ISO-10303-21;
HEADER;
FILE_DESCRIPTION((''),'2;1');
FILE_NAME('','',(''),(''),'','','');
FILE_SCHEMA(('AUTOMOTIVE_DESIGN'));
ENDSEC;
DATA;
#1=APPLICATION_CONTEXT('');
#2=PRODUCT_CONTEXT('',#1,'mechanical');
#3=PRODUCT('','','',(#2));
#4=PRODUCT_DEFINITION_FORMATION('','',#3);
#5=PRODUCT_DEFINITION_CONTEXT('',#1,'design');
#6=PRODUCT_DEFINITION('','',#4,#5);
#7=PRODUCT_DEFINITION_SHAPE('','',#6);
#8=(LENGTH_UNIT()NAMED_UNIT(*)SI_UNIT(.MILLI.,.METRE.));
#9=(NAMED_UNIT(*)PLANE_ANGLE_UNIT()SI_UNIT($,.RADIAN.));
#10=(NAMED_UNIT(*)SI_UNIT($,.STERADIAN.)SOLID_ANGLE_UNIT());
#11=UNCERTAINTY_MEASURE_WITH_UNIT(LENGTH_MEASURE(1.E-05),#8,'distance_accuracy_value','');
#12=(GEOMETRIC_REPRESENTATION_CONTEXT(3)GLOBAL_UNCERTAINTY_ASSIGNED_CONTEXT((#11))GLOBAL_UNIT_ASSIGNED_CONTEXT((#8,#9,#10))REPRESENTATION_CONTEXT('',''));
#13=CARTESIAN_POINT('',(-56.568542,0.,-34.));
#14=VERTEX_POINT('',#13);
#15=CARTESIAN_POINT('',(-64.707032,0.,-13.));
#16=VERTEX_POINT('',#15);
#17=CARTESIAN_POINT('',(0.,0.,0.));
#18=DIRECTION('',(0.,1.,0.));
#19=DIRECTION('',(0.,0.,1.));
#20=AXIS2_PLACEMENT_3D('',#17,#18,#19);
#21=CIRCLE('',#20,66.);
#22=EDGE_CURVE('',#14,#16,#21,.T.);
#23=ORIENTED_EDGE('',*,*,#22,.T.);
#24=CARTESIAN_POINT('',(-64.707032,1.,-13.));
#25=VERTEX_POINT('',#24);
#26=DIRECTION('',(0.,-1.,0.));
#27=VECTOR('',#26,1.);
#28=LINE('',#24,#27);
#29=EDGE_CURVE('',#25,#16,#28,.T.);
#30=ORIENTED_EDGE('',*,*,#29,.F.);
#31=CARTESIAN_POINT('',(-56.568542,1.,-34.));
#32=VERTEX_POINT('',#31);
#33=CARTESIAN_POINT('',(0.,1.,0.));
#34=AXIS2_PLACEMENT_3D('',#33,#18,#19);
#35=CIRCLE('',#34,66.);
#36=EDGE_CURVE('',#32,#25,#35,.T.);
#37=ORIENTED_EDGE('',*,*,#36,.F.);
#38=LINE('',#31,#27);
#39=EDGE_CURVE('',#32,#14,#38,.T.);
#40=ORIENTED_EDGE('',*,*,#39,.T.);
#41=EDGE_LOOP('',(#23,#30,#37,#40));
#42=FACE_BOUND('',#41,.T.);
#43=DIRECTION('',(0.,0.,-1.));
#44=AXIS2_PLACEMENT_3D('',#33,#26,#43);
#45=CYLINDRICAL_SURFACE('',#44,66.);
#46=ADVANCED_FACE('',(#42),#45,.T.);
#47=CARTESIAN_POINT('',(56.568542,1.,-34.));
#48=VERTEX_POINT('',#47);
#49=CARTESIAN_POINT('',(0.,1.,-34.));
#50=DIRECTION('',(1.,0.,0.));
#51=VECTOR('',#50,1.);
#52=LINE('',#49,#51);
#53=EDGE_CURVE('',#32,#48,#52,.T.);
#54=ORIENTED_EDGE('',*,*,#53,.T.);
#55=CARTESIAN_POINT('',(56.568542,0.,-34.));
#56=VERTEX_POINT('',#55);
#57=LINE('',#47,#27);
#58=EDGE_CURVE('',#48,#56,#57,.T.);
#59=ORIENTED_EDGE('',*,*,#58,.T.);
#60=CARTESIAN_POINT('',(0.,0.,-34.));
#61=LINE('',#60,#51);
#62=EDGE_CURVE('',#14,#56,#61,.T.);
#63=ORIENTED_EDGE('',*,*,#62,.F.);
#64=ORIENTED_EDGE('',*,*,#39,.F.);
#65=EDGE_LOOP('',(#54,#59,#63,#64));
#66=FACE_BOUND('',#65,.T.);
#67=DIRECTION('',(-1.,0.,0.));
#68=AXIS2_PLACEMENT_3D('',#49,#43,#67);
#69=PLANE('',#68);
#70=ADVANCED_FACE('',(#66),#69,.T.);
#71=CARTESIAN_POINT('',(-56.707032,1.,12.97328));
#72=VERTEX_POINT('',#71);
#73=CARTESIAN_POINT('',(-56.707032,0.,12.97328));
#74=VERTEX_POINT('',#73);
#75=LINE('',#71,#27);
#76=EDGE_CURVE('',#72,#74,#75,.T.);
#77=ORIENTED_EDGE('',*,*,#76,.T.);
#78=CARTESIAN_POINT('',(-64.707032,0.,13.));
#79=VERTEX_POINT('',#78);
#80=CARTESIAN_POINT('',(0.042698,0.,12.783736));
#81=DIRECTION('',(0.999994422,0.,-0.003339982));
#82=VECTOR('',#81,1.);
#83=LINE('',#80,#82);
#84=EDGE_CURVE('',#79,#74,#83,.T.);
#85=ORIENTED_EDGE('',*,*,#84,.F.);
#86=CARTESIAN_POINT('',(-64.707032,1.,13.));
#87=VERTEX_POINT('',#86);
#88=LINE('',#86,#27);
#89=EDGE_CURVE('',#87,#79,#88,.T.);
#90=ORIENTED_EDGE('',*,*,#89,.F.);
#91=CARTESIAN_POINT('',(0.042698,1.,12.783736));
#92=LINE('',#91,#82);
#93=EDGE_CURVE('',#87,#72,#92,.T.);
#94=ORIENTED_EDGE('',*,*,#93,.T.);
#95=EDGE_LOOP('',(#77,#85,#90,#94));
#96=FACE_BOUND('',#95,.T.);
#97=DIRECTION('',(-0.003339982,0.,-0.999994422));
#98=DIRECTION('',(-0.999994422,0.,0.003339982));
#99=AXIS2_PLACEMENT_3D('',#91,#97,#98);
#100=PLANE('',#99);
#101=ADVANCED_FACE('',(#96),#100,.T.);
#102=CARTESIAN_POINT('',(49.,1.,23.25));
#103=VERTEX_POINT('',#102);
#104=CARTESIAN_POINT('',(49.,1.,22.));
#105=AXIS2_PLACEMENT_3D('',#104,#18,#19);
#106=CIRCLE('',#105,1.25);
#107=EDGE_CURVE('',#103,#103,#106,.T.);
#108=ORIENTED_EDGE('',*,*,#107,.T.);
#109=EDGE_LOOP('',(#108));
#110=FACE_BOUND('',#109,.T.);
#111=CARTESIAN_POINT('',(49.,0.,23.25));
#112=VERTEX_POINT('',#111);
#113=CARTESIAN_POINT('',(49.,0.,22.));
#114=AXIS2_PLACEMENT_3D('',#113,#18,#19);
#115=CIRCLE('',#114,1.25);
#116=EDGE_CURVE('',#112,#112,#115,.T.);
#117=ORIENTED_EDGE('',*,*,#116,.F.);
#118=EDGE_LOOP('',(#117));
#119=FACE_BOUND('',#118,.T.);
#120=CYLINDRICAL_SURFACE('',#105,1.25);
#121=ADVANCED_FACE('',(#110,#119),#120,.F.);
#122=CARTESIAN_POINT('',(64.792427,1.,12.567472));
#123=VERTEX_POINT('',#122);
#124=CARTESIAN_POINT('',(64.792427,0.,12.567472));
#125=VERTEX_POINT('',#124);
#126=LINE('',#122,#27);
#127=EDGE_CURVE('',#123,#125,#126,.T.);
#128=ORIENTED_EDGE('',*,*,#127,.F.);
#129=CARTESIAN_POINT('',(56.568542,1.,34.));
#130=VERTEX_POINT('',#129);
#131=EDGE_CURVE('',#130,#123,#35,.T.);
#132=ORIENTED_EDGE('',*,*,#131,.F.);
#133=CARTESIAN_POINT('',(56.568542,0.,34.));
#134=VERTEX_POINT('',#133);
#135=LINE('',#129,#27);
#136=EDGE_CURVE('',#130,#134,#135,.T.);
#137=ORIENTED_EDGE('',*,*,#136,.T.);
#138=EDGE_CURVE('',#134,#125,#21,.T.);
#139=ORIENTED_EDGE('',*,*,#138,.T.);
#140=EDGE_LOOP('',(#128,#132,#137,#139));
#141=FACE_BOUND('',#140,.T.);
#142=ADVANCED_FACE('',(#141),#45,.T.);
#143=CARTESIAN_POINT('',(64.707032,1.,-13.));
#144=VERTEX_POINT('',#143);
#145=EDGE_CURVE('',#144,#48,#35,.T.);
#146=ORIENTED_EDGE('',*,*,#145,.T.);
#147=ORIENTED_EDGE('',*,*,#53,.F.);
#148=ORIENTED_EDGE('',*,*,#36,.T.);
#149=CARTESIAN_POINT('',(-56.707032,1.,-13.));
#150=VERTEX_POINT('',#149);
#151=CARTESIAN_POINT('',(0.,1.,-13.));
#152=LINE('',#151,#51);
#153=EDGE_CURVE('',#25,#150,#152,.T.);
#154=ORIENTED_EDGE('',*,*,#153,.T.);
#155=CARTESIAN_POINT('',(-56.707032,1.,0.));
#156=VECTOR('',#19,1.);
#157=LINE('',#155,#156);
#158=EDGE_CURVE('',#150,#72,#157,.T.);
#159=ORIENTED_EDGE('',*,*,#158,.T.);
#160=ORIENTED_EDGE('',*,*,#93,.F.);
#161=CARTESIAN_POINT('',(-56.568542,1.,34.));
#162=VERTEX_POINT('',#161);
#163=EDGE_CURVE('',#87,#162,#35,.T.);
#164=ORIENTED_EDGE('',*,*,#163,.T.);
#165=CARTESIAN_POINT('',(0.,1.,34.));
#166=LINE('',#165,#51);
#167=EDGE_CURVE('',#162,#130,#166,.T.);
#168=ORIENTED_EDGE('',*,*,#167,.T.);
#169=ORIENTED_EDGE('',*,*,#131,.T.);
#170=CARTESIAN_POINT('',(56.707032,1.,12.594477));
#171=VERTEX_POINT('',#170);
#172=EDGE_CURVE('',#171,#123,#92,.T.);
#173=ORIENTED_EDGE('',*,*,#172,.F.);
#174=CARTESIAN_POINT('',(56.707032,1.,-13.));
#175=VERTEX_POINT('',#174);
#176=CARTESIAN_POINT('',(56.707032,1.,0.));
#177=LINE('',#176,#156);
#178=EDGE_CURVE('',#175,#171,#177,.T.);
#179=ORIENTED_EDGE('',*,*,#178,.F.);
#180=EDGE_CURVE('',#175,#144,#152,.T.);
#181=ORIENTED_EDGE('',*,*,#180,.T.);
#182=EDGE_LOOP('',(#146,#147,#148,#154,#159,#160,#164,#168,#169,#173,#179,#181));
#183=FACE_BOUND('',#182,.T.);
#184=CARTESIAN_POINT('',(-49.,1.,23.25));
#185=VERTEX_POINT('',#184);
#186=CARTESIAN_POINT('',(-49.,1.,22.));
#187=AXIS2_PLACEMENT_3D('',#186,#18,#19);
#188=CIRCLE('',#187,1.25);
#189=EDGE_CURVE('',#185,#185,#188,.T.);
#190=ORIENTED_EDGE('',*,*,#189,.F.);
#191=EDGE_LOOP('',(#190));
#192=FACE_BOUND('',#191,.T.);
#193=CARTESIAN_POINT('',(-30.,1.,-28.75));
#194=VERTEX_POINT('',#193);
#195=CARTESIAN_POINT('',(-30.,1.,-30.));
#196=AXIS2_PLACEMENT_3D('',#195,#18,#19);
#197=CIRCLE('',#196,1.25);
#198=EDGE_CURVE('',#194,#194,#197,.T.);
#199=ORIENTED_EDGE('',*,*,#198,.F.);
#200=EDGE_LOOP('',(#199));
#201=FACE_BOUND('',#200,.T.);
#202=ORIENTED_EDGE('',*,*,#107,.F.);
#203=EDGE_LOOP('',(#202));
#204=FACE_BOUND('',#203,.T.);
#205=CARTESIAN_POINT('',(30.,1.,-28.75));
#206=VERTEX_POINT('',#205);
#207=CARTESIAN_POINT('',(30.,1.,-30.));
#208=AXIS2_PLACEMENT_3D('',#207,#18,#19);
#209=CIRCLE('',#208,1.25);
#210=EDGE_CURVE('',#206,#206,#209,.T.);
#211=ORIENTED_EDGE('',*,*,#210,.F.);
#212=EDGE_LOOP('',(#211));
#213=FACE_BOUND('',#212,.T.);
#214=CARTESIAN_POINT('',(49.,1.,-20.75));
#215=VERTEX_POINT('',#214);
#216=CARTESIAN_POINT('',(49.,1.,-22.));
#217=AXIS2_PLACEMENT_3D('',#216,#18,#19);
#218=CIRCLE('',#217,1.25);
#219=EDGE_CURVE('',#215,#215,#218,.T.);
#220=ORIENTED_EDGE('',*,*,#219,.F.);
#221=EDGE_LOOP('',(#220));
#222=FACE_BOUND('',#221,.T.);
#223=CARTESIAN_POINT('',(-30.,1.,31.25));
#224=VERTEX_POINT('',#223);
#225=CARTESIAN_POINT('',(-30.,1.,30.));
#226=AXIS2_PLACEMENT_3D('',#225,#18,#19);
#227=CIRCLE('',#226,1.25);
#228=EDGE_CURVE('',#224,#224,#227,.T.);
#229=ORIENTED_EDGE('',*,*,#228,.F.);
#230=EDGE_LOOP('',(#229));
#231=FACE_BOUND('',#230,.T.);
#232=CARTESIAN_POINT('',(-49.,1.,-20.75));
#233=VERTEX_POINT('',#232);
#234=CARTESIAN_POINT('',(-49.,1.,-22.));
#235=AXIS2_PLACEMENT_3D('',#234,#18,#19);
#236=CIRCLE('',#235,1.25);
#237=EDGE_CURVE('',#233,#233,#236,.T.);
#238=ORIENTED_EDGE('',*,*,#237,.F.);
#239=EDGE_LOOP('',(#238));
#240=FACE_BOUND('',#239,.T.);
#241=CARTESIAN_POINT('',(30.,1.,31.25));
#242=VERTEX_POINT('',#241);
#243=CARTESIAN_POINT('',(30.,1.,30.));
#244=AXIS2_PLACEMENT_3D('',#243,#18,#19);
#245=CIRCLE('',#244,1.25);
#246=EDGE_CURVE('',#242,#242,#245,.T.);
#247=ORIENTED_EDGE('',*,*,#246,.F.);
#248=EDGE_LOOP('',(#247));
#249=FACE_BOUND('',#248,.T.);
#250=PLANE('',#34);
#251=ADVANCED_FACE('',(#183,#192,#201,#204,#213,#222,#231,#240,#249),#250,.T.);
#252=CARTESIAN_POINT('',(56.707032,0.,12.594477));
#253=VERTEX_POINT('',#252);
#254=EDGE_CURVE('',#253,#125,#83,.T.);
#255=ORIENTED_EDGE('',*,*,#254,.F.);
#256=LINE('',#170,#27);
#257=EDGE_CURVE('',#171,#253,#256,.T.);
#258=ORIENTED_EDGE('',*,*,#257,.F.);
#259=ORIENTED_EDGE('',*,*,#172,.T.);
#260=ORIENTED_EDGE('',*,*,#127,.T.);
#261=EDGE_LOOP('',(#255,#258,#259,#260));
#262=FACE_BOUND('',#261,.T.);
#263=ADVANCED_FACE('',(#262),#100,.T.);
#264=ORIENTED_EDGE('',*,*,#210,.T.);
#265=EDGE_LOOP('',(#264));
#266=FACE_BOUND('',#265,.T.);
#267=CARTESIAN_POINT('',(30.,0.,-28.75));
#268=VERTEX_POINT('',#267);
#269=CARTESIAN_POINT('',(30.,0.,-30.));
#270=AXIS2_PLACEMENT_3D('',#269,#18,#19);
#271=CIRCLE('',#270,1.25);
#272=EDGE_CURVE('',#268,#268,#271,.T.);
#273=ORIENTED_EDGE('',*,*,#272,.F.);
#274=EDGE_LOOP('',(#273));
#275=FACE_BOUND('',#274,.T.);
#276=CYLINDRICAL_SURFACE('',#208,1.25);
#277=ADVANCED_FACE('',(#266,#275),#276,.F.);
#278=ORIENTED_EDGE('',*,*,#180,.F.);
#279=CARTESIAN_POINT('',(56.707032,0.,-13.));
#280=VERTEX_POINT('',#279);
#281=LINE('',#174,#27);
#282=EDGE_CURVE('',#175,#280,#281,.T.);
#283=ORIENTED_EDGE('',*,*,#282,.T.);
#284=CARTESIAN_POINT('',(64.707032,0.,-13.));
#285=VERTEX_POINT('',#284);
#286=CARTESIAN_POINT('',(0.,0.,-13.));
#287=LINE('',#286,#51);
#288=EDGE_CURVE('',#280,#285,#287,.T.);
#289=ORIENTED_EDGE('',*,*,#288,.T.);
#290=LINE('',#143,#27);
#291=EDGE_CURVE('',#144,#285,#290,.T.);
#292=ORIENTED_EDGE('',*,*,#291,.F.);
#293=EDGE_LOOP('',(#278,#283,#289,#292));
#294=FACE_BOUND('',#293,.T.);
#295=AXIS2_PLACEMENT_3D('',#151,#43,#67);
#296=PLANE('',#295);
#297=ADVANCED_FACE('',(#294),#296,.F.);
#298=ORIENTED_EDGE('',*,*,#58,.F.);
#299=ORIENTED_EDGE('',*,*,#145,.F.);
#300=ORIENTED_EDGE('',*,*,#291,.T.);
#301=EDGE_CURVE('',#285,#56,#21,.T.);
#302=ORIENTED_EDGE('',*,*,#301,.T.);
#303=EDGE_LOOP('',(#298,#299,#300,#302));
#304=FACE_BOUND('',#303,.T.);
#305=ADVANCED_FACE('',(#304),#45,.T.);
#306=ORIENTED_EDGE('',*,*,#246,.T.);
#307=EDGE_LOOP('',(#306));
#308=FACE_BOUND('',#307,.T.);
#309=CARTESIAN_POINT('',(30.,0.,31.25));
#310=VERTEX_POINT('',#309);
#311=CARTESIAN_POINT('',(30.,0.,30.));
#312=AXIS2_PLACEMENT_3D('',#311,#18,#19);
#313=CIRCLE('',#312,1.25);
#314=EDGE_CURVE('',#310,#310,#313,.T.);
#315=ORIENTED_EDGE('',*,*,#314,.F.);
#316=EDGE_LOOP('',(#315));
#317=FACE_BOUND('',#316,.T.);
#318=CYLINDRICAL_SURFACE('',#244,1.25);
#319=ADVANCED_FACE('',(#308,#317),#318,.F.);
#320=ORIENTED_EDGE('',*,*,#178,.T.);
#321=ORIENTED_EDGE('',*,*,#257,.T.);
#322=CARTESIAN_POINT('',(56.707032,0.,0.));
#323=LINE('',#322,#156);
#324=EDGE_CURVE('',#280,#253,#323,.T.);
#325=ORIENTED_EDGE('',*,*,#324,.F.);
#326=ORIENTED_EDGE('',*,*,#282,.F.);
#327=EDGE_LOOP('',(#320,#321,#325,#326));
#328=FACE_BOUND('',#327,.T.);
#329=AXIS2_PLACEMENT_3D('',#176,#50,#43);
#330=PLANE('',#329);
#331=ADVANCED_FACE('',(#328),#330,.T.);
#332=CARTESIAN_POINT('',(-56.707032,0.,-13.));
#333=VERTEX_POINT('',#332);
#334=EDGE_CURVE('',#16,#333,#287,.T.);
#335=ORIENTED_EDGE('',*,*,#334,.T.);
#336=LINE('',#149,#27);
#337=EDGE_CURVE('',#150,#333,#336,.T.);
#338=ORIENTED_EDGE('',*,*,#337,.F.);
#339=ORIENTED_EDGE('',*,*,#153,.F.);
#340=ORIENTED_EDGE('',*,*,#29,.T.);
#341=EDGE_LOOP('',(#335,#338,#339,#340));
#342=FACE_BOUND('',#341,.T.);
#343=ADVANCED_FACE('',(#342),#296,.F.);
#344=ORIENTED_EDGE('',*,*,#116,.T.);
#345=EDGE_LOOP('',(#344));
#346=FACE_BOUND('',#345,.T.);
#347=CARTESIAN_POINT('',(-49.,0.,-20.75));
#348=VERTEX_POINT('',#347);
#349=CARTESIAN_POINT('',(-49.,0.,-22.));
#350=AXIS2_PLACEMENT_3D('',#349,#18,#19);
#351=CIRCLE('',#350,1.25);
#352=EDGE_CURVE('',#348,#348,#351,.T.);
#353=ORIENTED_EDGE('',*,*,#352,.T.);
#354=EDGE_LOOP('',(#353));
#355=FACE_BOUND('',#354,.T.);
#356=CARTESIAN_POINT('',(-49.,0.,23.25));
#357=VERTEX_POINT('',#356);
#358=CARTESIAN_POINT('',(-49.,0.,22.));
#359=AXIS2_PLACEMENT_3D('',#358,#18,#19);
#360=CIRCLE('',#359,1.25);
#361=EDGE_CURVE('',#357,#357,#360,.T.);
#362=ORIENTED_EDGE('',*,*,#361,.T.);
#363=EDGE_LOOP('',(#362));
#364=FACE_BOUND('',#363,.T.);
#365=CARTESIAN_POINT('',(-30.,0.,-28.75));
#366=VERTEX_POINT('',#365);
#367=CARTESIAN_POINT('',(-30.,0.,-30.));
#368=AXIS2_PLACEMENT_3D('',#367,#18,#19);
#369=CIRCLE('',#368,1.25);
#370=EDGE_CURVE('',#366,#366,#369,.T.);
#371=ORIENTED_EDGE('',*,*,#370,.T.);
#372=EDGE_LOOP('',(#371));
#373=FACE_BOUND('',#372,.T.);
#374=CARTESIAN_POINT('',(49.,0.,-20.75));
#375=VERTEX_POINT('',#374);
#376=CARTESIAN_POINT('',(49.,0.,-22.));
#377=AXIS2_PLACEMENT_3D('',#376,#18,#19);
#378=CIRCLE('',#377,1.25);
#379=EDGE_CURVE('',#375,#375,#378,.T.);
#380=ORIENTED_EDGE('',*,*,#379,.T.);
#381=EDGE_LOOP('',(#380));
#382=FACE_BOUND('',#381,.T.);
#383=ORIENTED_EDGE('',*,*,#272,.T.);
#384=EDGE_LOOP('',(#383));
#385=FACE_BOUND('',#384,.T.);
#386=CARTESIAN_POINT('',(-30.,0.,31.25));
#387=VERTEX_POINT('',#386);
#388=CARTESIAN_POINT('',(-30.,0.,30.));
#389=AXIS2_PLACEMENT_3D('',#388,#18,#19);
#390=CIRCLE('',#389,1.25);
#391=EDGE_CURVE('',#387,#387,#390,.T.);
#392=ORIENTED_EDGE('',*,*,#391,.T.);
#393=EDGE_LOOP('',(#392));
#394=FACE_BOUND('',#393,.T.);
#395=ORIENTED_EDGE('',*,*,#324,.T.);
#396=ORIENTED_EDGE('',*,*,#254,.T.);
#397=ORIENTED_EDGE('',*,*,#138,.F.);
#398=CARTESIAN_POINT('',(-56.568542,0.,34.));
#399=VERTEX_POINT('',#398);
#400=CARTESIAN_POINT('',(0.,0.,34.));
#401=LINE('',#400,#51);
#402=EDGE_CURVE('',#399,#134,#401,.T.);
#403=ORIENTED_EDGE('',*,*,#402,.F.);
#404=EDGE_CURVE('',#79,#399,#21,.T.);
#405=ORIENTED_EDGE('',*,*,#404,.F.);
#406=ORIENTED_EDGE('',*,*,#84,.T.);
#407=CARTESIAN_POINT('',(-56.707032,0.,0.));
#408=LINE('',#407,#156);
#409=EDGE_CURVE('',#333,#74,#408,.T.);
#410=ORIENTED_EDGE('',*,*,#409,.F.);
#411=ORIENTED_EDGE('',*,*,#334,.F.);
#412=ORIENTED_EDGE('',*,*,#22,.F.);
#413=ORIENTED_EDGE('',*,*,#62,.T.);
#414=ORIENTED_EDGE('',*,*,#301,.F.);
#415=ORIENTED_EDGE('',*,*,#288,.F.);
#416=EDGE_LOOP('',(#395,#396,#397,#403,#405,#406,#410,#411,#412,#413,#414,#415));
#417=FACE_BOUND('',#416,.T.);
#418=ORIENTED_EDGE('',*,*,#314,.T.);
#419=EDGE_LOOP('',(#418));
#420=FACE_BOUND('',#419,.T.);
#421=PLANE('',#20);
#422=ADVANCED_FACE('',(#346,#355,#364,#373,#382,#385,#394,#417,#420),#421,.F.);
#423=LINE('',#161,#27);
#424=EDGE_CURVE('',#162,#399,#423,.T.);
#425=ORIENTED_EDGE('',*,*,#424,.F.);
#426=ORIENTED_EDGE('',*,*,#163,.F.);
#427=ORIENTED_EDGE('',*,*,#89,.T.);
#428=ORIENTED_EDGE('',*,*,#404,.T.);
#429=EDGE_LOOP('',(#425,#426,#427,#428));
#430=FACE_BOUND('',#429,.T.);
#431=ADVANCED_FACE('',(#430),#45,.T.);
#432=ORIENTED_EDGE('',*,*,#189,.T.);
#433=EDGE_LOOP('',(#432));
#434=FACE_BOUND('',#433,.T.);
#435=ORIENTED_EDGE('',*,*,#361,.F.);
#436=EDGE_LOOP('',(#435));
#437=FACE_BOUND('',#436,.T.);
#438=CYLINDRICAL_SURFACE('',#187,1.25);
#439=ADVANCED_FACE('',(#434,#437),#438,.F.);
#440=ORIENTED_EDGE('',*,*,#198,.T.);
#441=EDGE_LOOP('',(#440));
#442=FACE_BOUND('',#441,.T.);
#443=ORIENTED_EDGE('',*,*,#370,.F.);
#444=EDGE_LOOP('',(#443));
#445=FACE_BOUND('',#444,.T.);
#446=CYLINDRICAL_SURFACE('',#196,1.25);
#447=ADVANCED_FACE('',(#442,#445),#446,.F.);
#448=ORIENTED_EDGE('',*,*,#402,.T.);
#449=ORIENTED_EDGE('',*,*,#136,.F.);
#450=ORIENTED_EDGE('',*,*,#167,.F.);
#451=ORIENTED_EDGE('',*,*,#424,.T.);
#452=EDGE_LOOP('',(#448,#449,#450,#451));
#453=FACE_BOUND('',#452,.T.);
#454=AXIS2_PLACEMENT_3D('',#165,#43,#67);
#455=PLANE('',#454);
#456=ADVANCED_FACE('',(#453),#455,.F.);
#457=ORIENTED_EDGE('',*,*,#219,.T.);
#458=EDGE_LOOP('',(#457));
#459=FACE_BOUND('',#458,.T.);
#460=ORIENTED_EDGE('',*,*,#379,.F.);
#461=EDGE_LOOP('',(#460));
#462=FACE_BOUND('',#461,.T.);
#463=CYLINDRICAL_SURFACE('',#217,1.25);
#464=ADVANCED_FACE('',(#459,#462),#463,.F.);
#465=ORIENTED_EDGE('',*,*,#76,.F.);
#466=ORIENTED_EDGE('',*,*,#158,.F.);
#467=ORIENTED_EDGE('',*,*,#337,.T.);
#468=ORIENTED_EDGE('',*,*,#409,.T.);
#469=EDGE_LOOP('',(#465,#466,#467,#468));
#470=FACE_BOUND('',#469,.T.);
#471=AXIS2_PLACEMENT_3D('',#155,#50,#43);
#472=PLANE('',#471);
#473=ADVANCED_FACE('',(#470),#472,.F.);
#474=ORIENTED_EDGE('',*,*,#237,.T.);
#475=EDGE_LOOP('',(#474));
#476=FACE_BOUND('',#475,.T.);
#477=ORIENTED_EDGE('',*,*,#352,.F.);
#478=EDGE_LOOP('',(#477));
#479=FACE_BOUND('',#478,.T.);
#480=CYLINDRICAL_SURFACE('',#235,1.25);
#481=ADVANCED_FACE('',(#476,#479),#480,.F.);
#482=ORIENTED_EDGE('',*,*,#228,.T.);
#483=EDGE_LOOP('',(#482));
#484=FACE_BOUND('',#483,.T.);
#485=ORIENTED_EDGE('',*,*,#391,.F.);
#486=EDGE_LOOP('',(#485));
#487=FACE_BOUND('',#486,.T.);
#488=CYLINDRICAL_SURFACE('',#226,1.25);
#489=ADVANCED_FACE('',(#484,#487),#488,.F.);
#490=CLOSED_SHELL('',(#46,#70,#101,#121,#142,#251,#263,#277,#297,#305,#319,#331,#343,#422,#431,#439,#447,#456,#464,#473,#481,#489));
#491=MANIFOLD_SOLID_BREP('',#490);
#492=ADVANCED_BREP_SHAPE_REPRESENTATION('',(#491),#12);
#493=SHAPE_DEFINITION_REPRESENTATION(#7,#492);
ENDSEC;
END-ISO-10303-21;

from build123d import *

# Parameters (mm, degrees)
EXTRUDE_2_DEPTH             = 1
M3X0_5_1_D                  = 2.5
M3X0_5_1_DEPTH              = 4
M3X0_5_1_TIP                = 0.751075774
M3X0_5_1_ON_FACE_2_D        = 2.5
M3X0_5_1_ON_FACE_2_DEPTH    = 4
M3X0_5_1_ON_FACE_2_TIP      = 0.751075774
PATTERN_LINEAR_1_COUNT      = 2
PATTERN_LINEAR_1_PITCH      = 98
PATTERN_LINEAR_1_COUNT_DIR2 = 2
PATTERN_LINEAR_1_PITCH_DIR2 = 44


with BuildPart() as part:
    # 草圖10 → 填料-伸長2 (new body)
    with BuildSketch(Plane(origin=(0, 0, 0), x_dir=(1, 0, 0), z_dir=(0, 1, 0))):
        with BuildLine():
            Line((56.568542495, 34), (-56.568542495, 34))
            ThreePointArc((-56.568542495, 34), (-61.540159626, 23.849711805), (-64.707032075, 13))
            Line((-64.707032075, 13), (-56.707032075, 13))
            Line((-56.707032075, 13), (-56.707032075, -12.973279994))
            Line((-56.707032075, -12.973279994), (-64.707032075, -13))
            ThreePointArc((-64.707032075, -13), (-61.540159626, -23.849711805), (-56.568542495, -34))
            Line((-56.568542495, -34), (56.568542495, -34))
            ThreePointArc((56.568542495, -34), (61.619473981, -23.644035746), (64.792427449, -12.567471713))
            Line((64.792427449, -12.567471713), (56.707032075, -12.594476939))
            Line((56.707032075, -12.594476939), (56.707032075, 13))
            Line((56.707032075, 13), (64.707032075, 13))
            ThreePointArc((64.707032075, 13), (61.540159626, 23.849711805), (56.568542495, 34))
        make_face()
    extrude(amount=EXTRUDE_2_DEPTH)

    # M3x0.5  螺絲攻的螺孔鑽1
    with Locations(Plane(origin=(30, 1, 30), x_dir=(0, 0, 1), z_dir=(0, 1, 0))):
        with Locations((0, 0), (-60, -60), (0, -60), (-60, 0)):
            Hole(M3X0_5_1_D / 2, depth=M3X0_5_1_DEPTH)
            with Locations((0, 0, -(M3X0_5_1_DEPTH + M3X0_5_1_TIP / 2))):  # 118° drill point
                Cone(0, M3X0_5_1_D / 2, M3X0_5_1_TIP, mode=Mode.SUBTRACT)

    # M3x0.5  螺絲攻的螺孔鑽1 on face 2
    with Locations(Plane(origin=(-30, 0, -30), x_dir=(0, 0, -1), z_dir=(0, -1, 0))):
        with Locations((0, 0)):
            Hole(M3X0_5_1_ON_FACE_2_D / 2, depth=M3X0_5_1_ON_FACE_2_DEPTH)
            with Locations((0, 0, -(M3X0_5_1_ON_FACE_2_DEPTH + M3X0_5_1_ON_FACE_2_TIP / 2))):  # 118° drill point
                Cone(0, M3X0_5_1_ON_FACE_2_D / 2, M3X0_5_1_ON_FACE_2_TIP, mode=Mode.SUBTRACT)

    # 草圖14 → M3x0.5  螺絲攻的螺孔鑽2 (revolve, cut)
    with BuildSketch(Plane(origin=(-49, 1, -22), x_dir=(0, 0, 1), z_dir=(1, 0, 0))):
        Polygon((0, 0), (0, 4.751075774), (1.25, 4), (1.25, 0), align=None)
    m3x0_5_2 = revolve(axis=Axis((-49, 7.35, -22), (0, -1, 0)), mode=Mode.SUBTRACT)

    # 直線複製排列1: M3x0.5 _2 2 × 2
    with Locations(*[(i * PATTERN_LINEAR_1_PITCH, 0, j * PATTERN_LINEAR_1_PITCH_DIR2) for i in range(PATTERN_LINEAR_1_COUNT) for j in range(PATTERN_LINEAR_1_COUNT_DIR2) if (i, j) != (0, 0)]):
        add(m3x0_5_2, mode=Mode.SUBTRACT)


solid = part.part
